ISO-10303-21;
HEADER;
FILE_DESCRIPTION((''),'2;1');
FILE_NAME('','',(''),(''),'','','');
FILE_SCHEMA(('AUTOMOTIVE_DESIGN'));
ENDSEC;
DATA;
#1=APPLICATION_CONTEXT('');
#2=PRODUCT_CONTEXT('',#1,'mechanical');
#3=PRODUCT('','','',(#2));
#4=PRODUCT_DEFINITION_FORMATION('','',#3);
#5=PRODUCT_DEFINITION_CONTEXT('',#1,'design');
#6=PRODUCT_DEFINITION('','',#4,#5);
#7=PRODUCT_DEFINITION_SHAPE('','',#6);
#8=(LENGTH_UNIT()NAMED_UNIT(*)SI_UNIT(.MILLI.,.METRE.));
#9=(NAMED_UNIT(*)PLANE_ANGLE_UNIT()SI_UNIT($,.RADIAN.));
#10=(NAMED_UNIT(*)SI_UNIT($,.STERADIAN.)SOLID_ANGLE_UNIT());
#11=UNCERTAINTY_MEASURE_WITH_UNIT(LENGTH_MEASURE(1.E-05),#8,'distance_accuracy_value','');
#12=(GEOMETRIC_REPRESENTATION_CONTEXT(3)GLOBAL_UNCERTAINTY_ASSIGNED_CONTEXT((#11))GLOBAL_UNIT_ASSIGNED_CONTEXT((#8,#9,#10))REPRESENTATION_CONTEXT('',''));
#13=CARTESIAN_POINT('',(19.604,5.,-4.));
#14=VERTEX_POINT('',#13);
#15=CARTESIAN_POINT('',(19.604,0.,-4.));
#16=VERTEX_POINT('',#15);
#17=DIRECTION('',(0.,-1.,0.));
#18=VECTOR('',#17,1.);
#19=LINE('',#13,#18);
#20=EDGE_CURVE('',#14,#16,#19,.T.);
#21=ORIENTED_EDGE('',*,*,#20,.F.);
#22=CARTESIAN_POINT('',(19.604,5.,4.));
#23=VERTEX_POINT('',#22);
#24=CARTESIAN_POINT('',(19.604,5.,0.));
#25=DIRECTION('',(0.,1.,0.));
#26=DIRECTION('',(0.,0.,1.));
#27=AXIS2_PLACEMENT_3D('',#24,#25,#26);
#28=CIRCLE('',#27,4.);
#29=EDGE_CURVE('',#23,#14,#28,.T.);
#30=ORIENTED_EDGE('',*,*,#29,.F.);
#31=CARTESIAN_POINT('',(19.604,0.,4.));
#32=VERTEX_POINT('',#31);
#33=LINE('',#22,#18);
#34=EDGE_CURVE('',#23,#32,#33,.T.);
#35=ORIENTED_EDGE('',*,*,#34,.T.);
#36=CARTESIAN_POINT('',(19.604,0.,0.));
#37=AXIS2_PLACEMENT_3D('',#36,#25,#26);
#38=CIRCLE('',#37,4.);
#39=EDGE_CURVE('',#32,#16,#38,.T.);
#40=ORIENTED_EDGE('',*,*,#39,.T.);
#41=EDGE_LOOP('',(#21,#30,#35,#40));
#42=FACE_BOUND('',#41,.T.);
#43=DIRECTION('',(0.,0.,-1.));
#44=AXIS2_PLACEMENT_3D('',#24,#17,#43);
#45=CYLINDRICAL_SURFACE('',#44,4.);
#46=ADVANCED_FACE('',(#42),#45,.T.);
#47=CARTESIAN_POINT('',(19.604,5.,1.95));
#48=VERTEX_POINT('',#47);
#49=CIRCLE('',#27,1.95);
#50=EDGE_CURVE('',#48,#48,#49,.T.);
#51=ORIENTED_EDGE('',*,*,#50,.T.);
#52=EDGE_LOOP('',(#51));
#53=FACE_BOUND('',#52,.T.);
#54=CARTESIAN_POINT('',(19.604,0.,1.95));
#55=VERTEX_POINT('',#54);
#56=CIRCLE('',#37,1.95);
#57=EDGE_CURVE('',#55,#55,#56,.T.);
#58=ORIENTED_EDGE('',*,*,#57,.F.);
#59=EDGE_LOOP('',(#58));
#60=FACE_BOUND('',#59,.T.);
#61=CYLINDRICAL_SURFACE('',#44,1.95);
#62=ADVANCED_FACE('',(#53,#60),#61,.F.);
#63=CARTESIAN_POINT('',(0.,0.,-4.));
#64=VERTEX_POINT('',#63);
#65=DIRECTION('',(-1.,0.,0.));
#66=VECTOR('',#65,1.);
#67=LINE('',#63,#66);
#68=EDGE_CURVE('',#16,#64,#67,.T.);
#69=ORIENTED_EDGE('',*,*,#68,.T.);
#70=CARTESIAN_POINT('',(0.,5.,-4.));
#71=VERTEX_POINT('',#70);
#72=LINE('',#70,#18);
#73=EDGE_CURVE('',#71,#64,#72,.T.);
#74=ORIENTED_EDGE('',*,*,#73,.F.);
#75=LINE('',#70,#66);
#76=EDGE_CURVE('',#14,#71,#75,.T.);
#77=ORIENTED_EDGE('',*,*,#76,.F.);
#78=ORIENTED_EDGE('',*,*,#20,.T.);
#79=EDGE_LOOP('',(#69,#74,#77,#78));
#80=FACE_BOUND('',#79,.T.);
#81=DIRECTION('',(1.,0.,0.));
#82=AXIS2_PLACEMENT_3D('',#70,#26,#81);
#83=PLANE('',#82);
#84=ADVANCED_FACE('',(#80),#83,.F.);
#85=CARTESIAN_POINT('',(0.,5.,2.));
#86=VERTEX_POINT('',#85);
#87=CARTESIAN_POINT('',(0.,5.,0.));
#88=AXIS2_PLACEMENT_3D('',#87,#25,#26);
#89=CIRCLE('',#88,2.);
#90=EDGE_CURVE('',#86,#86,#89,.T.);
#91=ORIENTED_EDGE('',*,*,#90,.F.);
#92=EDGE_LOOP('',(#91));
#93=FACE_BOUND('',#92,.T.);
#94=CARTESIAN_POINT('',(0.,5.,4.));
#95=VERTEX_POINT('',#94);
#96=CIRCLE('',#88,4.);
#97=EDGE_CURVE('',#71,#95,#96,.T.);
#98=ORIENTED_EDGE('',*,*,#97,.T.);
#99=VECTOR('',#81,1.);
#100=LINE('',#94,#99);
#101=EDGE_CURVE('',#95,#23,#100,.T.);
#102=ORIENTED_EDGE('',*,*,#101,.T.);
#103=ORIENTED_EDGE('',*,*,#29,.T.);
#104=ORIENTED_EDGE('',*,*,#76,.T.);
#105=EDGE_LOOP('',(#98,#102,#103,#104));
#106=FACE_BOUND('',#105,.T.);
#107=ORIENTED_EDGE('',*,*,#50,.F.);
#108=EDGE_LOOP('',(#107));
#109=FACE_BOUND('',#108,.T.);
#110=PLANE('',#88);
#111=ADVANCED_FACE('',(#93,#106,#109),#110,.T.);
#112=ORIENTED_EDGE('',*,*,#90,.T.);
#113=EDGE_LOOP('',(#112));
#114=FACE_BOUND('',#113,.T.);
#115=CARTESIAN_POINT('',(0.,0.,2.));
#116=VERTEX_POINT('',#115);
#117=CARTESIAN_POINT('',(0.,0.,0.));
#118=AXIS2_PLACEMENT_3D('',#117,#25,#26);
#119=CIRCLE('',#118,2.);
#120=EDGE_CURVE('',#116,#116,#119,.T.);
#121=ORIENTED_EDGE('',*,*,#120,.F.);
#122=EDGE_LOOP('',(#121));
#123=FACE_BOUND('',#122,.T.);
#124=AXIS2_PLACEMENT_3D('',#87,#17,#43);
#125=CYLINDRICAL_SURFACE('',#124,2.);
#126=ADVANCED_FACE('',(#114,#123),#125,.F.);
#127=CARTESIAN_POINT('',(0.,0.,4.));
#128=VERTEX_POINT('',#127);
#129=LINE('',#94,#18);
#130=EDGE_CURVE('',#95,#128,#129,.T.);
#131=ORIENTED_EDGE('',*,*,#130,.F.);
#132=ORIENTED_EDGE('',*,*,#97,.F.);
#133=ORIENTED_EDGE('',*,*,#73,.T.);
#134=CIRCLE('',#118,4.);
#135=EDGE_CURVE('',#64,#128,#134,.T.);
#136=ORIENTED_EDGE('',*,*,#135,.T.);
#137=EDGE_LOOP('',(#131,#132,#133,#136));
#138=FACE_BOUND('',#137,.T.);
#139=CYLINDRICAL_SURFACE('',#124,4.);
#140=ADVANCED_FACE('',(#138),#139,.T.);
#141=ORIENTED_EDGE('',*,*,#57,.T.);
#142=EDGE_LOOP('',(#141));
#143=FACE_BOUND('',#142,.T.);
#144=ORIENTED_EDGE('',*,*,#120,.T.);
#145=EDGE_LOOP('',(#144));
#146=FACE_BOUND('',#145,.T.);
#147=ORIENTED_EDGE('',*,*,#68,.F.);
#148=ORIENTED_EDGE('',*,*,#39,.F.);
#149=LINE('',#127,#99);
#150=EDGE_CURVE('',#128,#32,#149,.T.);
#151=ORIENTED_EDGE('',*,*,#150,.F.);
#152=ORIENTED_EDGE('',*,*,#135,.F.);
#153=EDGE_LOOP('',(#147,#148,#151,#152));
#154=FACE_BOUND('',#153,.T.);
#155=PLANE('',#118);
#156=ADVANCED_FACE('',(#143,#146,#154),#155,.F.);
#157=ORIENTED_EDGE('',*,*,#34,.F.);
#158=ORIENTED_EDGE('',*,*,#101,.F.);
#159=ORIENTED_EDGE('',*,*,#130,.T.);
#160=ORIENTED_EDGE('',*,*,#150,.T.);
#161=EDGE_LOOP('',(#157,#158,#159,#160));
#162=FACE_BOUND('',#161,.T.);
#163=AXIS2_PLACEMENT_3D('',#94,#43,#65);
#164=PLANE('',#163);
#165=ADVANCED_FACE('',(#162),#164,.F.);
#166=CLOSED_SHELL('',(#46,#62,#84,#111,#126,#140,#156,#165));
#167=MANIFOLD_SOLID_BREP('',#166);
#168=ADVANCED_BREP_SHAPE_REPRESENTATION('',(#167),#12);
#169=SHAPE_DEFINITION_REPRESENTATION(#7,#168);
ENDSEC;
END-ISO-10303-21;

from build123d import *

# Parameters (mm, degrees)
SKETCH_1_R      = 2
SKETCH_1_R_2    = 1.95
EXTRUDE_1_DEPTH = 5


with BuildPart() as part:
    # 草图1 → 凸台-拉伸1 (new body)
    with BuildSketch(Plane(origin=(0, 0, 0), x_dir=(1, 0, 0), z_dir=(0, 1, 0))):
        with BuildLine():
            Line((0, 4), (19.604, 4))
            ThreePointArc((19.604, 4), (23.604, 0), (19.604, -4))
            Line((19.604, -4), (0, -4))
            ThreePointArc((0, -4), (-4, 0), (0, 4))
        make_face()
        Circle(SKETCH_1_R, mode=Mode.SUBTRACT)
        with Locations((19.604, 0)):
            Circle(SKETCH_1_R_2, mode=Mode.SUBTRACT)
    extrude(amount=EXTRUDE_1_DEPTH)


solid = part.part
